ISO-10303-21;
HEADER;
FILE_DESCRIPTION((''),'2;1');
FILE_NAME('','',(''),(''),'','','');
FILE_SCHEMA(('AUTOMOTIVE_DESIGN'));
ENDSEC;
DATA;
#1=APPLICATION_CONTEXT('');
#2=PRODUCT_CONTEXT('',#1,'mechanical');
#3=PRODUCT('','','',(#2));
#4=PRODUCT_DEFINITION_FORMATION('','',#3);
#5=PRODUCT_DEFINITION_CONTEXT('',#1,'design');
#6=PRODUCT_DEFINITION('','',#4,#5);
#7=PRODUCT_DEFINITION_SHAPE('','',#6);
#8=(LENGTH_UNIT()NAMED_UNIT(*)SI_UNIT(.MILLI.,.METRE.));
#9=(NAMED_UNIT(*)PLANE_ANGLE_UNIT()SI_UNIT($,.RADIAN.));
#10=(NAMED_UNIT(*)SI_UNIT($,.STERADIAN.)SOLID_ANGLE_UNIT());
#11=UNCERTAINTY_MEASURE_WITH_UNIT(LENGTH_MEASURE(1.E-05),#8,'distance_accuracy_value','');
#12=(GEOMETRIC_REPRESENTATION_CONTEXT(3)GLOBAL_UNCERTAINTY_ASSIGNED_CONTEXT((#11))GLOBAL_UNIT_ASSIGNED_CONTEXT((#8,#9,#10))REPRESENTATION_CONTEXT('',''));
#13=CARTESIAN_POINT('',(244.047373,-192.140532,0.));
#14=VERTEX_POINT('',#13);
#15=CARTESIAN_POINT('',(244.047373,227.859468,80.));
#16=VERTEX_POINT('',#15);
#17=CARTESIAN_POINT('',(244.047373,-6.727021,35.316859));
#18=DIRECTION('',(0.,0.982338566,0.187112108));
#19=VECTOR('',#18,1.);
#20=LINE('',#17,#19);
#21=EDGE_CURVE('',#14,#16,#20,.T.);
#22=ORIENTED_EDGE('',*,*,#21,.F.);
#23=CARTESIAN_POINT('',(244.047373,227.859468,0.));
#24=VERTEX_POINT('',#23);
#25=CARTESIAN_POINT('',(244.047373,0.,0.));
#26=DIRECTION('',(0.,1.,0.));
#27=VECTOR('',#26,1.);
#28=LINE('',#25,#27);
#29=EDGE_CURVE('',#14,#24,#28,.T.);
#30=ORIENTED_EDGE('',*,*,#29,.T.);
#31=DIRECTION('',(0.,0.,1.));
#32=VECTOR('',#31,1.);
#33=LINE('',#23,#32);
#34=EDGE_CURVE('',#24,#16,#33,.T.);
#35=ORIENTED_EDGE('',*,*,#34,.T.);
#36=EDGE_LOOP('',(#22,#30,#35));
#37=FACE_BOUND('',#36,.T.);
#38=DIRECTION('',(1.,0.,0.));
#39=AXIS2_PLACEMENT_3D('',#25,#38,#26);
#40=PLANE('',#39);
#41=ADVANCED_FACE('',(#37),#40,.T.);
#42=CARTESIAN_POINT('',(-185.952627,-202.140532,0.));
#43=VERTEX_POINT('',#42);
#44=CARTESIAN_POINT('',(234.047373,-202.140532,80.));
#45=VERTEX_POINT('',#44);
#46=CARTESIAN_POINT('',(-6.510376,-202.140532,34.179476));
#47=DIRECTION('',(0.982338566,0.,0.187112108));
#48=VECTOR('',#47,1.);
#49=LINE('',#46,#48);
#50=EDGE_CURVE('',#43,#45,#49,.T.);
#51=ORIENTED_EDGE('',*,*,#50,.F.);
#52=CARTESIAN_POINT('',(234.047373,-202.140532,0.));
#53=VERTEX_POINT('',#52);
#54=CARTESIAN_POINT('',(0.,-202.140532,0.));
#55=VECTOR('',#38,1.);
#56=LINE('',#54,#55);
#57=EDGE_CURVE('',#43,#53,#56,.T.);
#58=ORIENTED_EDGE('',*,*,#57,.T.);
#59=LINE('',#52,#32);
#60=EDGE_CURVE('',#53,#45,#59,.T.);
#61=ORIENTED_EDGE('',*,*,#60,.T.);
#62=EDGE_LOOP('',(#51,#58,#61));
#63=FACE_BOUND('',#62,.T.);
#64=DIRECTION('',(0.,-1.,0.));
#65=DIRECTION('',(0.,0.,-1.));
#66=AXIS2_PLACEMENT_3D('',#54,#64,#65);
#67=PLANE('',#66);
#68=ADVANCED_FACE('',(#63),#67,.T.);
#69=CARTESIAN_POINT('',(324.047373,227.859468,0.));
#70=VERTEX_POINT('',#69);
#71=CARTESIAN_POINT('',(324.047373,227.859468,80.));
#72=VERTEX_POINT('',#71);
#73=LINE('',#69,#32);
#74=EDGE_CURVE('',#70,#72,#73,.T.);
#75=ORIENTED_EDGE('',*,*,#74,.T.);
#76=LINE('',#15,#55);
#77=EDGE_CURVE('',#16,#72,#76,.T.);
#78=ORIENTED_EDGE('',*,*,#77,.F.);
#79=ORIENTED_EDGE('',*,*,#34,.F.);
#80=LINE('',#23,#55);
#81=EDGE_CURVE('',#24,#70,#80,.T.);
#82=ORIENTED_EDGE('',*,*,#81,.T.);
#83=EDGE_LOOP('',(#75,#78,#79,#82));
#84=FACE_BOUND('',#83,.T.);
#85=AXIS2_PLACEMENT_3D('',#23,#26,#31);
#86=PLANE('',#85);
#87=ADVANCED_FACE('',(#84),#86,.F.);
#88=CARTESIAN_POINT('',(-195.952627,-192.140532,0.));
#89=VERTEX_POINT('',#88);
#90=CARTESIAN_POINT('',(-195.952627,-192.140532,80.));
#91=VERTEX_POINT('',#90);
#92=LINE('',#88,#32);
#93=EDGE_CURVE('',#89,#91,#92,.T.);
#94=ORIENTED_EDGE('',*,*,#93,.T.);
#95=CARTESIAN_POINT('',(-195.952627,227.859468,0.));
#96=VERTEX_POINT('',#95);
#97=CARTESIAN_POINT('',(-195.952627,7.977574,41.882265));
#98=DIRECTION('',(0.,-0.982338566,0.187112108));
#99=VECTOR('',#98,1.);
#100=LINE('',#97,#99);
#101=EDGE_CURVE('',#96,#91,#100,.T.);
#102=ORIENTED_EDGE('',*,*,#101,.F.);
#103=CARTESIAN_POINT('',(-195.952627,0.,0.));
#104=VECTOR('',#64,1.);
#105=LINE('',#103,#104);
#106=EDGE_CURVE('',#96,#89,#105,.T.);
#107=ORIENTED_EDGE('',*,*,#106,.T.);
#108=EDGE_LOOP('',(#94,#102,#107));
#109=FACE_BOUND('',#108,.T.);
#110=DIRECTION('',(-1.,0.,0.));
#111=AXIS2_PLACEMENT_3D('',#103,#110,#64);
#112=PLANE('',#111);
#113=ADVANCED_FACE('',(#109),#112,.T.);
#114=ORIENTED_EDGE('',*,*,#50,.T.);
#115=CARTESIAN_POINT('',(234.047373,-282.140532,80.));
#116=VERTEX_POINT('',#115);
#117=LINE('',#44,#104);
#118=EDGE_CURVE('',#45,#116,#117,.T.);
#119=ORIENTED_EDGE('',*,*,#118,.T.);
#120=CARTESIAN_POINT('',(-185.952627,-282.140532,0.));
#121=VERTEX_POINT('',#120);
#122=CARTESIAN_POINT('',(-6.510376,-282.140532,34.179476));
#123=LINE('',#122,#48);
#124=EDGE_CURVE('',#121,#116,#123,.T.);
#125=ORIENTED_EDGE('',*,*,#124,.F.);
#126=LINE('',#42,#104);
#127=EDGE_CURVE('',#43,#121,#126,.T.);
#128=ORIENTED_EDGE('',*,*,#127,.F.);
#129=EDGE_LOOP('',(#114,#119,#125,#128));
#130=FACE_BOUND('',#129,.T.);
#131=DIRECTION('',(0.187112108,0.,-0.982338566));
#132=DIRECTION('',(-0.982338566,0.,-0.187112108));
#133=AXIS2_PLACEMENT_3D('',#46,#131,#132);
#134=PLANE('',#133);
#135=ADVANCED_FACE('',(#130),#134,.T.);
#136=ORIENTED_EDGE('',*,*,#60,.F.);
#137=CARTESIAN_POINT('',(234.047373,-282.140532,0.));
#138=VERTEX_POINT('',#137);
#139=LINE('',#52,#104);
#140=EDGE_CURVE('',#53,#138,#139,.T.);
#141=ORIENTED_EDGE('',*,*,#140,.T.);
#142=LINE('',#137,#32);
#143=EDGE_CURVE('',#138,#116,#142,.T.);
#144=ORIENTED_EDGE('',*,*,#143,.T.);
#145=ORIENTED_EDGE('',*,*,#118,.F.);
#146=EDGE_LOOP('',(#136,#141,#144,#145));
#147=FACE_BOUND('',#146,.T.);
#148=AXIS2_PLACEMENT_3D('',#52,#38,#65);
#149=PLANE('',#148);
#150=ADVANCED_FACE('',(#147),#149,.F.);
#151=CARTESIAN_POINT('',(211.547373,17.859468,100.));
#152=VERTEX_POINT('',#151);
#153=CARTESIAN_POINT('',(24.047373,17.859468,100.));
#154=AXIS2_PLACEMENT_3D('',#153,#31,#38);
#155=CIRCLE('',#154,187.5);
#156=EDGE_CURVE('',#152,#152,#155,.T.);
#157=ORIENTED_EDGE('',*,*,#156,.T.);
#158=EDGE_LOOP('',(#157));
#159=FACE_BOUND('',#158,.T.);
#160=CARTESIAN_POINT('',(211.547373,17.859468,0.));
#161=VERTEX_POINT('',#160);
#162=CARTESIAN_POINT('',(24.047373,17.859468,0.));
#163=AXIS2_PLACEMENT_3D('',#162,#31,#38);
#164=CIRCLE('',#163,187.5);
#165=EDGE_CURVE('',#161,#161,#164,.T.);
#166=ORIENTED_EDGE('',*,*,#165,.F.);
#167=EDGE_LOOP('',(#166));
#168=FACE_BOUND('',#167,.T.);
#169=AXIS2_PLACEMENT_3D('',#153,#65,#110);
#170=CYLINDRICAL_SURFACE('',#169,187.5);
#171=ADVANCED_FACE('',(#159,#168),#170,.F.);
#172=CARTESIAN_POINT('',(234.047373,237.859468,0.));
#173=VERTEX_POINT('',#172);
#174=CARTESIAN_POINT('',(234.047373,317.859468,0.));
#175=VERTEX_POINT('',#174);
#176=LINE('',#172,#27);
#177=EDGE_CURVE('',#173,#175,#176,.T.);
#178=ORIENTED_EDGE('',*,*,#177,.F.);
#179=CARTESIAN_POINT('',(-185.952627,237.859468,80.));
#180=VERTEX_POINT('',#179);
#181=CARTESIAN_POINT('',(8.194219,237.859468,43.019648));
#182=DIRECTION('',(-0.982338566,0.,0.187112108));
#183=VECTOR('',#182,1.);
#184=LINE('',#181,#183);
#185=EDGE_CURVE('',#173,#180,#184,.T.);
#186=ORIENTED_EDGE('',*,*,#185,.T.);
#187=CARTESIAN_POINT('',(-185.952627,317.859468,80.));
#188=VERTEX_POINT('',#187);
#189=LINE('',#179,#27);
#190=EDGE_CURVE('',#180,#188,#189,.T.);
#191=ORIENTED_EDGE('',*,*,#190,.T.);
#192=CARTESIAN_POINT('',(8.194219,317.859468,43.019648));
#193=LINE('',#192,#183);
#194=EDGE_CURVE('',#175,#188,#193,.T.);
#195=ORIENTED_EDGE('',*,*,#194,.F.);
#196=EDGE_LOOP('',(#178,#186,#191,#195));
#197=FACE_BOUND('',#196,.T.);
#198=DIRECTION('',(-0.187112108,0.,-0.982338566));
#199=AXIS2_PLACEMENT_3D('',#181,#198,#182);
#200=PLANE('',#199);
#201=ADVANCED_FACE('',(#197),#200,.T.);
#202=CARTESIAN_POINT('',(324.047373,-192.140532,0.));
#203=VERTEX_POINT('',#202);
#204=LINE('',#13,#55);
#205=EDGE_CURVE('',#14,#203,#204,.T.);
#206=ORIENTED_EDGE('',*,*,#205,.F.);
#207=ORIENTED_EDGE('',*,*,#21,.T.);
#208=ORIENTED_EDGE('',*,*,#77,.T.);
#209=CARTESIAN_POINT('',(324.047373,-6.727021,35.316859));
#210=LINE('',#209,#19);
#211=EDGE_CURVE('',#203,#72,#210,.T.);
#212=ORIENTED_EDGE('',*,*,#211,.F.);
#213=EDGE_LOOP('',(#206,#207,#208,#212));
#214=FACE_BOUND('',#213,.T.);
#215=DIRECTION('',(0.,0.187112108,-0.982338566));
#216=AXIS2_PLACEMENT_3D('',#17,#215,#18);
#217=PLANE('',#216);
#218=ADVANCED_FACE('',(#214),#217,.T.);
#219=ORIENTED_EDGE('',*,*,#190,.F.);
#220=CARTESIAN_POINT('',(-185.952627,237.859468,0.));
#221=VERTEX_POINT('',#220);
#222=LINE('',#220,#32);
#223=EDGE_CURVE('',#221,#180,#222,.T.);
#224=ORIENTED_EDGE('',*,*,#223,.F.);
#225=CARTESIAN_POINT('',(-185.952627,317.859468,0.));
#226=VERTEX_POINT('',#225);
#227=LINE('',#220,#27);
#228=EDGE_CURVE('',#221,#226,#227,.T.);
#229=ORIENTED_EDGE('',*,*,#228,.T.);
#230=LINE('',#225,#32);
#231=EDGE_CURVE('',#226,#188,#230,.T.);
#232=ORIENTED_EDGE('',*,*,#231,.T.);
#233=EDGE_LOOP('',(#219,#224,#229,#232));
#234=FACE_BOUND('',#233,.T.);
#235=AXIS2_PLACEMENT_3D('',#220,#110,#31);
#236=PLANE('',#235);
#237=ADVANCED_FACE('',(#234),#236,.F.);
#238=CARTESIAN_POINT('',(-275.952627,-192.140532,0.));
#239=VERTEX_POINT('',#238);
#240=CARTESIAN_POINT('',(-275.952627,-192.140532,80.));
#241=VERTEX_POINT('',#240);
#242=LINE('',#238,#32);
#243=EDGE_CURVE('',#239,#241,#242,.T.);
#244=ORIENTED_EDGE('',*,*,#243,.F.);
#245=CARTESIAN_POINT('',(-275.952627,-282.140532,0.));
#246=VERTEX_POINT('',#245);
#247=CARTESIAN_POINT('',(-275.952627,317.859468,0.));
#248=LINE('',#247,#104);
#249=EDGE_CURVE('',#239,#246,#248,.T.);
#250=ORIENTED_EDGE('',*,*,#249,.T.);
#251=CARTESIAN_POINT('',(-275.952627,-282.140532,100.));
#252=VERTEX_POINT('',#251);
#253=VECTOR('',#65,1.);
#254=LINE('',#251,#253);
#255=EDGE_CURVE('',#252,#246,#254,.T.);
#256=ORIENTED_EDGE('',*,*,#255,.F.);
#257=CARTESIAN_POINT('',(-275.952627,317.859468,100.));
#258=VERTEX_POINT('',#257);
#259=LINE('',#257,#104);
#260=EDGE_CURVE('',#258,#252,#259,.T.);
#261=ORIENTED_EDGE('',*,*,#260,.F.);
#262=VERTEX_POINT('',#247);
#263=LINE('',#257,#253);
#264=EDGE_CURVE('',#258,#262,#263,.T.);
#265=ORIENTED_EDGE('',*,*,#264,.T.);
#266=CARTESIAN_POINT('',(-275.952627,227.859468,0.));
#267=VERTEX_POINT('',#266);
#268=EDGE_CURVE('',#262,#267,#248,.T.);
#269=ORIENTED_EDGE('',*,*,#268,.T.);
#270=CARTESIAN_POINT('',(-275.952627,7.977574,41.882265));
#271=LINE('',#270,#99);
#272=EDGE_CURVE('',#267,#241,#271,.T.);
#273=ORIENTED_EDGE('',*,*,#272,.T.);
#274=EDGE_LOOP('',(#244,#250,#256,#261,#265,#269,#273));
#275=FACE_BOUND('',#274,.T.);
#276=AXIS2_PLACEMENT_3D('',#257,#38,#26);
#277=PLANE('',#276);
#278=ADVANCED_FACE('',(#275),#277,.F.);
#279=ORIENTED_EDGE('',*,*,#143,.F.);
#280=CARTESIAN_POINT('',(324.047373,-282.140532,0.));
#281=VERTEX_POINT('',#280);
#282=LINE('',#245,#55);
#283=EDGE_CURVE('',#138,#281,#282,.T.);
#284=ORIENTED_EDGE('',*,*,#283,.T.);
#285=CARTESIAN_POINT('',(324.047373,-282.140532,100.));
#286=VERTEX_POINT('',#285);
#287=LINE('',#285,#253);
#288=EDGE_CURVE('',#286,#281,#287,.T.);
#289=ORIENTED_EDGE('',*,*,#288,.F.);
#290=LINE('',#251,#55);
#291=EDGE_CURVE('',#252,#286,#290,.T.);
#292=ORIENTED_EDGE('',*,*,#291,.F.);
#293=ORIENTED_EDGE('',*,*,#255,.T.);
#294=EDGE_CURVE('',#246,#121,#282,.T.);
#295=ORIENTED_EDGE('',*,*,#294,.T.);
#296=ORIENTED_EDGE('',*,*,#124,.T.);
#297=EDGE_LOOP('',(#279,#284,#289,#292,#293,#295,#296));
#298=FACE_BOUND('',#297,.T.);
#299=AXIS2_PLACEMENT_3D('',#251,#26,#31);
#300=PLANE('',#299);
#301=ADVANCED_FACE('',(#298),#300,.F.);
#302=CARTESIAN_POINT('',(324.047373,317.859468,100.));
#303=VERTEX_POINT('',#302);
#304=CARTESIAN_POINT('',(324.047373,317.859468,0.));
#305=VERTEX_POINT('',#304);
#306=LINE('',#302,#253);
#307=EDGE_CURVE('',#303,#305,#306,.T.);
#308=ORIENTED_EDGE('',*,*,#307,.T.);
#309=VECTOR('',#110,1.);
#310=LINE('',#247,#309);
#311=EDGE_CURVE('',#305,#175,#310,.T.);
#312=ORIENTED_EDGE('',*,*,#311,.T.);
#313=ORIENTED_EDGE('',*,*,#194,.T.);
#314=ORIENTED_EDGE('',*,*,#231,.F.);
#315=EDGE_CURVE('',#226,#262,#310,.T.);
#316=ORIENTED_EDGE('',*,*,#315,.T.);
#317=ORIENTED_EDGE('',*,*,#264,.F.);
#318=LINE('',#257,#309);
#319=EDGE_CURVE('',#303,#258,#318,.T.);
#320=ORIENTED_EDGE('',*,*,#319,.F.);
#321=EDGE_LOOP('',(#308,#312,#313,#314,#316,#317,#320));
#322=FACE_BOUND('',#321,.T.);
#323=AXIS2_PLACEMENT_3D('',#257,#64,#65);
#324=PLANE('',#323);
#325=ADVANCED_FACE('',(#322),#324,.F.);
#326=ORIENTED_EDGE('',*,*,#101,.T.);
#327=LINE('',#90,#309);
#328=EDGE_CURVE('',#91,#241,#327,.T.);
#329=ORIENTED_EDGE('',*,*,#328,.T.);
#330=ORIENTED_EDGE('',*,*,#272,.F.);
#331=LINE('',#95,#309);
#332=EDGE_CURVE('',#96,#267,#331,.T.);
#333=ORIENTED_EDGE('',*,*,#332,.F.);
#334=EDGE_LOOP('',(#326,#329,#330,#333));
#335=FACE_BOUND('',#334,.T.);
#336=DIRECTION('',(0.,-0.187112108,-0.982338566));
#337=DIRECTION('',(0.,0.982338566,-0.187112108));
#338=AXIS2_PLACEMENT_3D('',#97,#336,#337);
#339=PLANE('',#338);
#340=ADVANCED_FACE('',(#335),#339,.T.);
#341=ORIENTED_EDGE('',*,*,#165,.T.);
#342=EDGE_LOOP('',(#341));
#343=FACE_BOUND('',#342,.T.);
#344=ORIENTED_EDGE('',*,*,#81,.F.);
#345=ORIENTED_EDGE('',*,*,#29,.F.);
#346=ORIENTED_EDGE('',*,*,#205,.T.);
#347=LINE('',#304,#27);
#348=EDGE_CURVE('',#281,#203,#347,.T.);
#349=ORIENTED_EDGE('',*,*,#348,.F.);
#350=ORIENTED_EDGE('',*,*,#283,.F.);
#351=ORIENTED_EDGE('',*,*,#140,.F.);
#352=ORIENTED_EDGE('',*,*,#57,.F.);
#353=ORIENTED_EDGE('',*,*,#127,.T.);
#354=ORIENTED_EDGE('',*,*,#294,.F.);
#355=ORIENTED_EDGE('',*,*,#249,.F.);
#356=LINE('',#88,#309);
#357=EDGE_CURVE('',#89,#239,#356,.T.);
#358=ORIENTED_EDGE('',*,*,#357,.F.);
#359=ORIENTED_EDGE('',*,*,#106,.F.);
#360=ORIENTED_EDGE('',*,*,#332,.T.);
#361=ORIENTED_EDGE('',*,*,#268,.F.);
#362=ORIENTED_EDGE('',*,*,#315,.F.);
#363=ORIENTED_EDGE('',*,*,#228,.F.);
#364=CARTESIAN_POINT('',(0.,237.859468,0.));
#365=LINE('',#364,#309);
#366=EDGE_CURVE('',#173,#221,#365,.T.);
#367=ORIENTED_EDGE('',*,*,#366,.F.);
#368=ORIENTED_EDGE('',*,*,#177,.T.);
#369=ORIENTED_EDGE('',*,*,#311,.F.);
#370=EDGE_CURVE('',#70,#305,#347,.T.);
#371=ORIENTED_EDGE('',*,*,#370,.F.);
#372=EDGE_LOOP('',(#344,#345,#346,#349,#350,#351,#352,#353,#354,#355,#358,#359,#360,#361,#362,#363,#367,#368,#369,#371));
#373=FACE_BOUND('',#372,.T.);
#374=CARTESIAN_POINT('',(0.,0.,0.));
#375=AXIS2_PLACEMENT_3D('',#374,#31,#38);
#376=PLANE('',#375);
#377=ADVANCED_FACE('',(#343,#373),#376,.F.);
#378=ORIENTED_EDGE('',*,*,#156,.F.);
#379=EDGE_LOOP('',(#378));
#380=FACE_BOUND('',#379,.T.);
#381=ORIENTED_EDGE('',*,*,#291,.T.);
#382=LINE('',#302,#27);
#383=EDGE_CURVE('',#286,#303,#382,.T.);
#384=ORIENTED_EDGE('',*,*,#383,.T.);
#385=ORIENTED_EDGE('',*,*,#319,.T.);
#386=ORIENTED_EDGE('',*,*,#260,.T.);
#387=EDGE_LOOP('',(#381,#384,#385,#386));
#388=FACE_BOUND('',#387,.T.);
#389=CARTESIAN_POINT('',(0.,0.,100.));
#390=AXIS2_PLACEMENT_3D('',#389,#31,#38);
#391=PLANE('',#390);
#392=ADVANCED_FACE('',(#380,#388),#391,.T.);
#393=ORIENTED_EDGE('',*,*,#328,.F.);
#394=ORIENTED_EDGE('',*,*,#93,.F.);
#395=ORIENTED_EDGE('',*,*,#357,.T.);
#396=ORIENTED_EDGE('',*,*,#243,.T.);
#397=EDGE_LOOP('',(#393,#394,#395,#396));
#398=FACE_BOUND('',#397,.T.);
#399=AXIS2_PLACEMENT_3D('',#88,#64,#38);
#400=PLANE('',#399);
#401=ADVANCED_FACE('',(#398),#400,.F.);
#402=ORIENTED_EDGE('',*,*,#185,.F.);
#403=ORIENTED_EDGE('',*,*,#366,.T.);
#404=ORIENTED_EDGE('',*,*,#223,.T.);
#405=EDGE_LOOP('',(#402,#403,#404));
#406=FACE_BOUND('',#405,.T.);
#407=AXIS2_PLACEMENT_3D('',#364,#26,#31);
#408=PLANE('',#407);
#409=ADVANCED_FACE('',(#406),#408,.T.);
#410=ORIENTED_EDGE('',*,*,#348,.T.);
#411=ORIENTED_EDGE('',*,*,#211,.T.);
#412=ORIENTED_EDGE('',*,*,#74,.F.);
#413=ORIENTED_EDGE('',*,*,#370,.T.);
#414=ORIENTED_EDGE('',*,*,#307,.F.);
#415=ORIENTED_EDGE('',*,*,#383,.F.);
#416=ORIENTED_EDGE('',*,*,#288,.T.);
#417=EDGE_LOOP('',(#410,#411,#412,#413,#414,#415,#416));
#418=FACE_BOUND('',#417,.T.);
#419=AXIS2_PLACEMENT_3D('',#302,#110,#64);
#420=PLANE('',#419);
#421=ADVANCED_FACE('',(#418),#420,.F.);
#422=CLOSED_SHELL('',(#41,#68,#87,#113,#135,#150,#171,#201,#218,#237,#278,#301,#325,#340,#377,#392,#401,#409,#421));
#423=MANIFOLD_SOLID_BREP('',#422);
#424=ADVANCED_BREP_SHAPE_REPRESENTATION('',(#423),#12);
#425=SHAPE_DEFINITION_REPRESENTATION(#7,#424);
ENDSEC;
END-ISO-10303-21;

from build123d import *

# Parameters (mm, degrees)
CROQUIS1_W              = 600
CROQUIS1_H              = 600
CROQUIS1_R              = 187.5
SALIENTE_EXTRUIR1_DEPTH = 100
CORTAR_EXTRUIR6_DEPTH   = 80
CORTAR_EXTRUIR7_DEPTH   = 80
CORTAR_EXTRUIR8_DEPTH   = 80
CORTAR_EXTRUIR9_DEPTH   = 80


with BuildPart() as part:
    # Croquis1 → Saliente-Extruir1 (new body)
    with BuildSketch(Plane.XY):
        with Locations((24.047372846, 17.859468054)):
            Rectangle(CROQUIS1_W, CROQUIS1_H)
        with Locations((24.047372846, 17.859468054)):
            Circle(CROQUIS1_R, mode=Mode.SUBTRACT)
    extrude(amount=SALIENTE_EXTRUIR1_DEPTH)

    # Croquis2 → Cortar-Extruir6 (cut)
    with BuildSketch(Plane.ZY.offset(275.952627154)):
        Polygon((80, -192.140531946), (0, 227.859468054), (0, -192.140531946), align=None)
    extrude(amount=-CORTAR_EXTRUIR6_DEPTH, mode=Mode.SUBTRACT)

    # Croquis3 → Cortar-Extruir7 (cut)
    with BuildSketch(Plane.XZ.offset(282.140531946)):
        Polygon((234.047372846, 80), (-185.952627154, 0), (234.047372846, 0), align=None)
    extrude(amount=-CORTAR_EXTRUIR7_DEPTH, mode=Mode.SUBTRACT)

    # Croquis4 → Cortar-Extruir8 (cut)
    with BuildSketch(Plane(origin=(324.047372846, 0, 0), x_dir=(0, 0, -1), z_dir=(1, 0, 0))):
        Polygon((-80, 227.859468054), (0, -192.140531946), (0, 227.859468054), align=None)
    extrude(amount=-CORTAR_EXTRUIR8_DEPTH, mode=Mode.SUBTRACT)

    # Croquis6 → Cortar-Extruir9 (cut)
    with BuildSketch(Plane(origin=(0, 317.859468054, 0), x_dir=(1, 0, 0), z_dir=(0, 1, 0))):
        Polygon((234.047372846, 0), (-185.952627154, 0), (-185.952627154, -80), align=None)
    extrude(amount=-CORTAR_EXTRUIR9_DEPTH, mode=Mode.SUBTRACT)


solid = part.part
